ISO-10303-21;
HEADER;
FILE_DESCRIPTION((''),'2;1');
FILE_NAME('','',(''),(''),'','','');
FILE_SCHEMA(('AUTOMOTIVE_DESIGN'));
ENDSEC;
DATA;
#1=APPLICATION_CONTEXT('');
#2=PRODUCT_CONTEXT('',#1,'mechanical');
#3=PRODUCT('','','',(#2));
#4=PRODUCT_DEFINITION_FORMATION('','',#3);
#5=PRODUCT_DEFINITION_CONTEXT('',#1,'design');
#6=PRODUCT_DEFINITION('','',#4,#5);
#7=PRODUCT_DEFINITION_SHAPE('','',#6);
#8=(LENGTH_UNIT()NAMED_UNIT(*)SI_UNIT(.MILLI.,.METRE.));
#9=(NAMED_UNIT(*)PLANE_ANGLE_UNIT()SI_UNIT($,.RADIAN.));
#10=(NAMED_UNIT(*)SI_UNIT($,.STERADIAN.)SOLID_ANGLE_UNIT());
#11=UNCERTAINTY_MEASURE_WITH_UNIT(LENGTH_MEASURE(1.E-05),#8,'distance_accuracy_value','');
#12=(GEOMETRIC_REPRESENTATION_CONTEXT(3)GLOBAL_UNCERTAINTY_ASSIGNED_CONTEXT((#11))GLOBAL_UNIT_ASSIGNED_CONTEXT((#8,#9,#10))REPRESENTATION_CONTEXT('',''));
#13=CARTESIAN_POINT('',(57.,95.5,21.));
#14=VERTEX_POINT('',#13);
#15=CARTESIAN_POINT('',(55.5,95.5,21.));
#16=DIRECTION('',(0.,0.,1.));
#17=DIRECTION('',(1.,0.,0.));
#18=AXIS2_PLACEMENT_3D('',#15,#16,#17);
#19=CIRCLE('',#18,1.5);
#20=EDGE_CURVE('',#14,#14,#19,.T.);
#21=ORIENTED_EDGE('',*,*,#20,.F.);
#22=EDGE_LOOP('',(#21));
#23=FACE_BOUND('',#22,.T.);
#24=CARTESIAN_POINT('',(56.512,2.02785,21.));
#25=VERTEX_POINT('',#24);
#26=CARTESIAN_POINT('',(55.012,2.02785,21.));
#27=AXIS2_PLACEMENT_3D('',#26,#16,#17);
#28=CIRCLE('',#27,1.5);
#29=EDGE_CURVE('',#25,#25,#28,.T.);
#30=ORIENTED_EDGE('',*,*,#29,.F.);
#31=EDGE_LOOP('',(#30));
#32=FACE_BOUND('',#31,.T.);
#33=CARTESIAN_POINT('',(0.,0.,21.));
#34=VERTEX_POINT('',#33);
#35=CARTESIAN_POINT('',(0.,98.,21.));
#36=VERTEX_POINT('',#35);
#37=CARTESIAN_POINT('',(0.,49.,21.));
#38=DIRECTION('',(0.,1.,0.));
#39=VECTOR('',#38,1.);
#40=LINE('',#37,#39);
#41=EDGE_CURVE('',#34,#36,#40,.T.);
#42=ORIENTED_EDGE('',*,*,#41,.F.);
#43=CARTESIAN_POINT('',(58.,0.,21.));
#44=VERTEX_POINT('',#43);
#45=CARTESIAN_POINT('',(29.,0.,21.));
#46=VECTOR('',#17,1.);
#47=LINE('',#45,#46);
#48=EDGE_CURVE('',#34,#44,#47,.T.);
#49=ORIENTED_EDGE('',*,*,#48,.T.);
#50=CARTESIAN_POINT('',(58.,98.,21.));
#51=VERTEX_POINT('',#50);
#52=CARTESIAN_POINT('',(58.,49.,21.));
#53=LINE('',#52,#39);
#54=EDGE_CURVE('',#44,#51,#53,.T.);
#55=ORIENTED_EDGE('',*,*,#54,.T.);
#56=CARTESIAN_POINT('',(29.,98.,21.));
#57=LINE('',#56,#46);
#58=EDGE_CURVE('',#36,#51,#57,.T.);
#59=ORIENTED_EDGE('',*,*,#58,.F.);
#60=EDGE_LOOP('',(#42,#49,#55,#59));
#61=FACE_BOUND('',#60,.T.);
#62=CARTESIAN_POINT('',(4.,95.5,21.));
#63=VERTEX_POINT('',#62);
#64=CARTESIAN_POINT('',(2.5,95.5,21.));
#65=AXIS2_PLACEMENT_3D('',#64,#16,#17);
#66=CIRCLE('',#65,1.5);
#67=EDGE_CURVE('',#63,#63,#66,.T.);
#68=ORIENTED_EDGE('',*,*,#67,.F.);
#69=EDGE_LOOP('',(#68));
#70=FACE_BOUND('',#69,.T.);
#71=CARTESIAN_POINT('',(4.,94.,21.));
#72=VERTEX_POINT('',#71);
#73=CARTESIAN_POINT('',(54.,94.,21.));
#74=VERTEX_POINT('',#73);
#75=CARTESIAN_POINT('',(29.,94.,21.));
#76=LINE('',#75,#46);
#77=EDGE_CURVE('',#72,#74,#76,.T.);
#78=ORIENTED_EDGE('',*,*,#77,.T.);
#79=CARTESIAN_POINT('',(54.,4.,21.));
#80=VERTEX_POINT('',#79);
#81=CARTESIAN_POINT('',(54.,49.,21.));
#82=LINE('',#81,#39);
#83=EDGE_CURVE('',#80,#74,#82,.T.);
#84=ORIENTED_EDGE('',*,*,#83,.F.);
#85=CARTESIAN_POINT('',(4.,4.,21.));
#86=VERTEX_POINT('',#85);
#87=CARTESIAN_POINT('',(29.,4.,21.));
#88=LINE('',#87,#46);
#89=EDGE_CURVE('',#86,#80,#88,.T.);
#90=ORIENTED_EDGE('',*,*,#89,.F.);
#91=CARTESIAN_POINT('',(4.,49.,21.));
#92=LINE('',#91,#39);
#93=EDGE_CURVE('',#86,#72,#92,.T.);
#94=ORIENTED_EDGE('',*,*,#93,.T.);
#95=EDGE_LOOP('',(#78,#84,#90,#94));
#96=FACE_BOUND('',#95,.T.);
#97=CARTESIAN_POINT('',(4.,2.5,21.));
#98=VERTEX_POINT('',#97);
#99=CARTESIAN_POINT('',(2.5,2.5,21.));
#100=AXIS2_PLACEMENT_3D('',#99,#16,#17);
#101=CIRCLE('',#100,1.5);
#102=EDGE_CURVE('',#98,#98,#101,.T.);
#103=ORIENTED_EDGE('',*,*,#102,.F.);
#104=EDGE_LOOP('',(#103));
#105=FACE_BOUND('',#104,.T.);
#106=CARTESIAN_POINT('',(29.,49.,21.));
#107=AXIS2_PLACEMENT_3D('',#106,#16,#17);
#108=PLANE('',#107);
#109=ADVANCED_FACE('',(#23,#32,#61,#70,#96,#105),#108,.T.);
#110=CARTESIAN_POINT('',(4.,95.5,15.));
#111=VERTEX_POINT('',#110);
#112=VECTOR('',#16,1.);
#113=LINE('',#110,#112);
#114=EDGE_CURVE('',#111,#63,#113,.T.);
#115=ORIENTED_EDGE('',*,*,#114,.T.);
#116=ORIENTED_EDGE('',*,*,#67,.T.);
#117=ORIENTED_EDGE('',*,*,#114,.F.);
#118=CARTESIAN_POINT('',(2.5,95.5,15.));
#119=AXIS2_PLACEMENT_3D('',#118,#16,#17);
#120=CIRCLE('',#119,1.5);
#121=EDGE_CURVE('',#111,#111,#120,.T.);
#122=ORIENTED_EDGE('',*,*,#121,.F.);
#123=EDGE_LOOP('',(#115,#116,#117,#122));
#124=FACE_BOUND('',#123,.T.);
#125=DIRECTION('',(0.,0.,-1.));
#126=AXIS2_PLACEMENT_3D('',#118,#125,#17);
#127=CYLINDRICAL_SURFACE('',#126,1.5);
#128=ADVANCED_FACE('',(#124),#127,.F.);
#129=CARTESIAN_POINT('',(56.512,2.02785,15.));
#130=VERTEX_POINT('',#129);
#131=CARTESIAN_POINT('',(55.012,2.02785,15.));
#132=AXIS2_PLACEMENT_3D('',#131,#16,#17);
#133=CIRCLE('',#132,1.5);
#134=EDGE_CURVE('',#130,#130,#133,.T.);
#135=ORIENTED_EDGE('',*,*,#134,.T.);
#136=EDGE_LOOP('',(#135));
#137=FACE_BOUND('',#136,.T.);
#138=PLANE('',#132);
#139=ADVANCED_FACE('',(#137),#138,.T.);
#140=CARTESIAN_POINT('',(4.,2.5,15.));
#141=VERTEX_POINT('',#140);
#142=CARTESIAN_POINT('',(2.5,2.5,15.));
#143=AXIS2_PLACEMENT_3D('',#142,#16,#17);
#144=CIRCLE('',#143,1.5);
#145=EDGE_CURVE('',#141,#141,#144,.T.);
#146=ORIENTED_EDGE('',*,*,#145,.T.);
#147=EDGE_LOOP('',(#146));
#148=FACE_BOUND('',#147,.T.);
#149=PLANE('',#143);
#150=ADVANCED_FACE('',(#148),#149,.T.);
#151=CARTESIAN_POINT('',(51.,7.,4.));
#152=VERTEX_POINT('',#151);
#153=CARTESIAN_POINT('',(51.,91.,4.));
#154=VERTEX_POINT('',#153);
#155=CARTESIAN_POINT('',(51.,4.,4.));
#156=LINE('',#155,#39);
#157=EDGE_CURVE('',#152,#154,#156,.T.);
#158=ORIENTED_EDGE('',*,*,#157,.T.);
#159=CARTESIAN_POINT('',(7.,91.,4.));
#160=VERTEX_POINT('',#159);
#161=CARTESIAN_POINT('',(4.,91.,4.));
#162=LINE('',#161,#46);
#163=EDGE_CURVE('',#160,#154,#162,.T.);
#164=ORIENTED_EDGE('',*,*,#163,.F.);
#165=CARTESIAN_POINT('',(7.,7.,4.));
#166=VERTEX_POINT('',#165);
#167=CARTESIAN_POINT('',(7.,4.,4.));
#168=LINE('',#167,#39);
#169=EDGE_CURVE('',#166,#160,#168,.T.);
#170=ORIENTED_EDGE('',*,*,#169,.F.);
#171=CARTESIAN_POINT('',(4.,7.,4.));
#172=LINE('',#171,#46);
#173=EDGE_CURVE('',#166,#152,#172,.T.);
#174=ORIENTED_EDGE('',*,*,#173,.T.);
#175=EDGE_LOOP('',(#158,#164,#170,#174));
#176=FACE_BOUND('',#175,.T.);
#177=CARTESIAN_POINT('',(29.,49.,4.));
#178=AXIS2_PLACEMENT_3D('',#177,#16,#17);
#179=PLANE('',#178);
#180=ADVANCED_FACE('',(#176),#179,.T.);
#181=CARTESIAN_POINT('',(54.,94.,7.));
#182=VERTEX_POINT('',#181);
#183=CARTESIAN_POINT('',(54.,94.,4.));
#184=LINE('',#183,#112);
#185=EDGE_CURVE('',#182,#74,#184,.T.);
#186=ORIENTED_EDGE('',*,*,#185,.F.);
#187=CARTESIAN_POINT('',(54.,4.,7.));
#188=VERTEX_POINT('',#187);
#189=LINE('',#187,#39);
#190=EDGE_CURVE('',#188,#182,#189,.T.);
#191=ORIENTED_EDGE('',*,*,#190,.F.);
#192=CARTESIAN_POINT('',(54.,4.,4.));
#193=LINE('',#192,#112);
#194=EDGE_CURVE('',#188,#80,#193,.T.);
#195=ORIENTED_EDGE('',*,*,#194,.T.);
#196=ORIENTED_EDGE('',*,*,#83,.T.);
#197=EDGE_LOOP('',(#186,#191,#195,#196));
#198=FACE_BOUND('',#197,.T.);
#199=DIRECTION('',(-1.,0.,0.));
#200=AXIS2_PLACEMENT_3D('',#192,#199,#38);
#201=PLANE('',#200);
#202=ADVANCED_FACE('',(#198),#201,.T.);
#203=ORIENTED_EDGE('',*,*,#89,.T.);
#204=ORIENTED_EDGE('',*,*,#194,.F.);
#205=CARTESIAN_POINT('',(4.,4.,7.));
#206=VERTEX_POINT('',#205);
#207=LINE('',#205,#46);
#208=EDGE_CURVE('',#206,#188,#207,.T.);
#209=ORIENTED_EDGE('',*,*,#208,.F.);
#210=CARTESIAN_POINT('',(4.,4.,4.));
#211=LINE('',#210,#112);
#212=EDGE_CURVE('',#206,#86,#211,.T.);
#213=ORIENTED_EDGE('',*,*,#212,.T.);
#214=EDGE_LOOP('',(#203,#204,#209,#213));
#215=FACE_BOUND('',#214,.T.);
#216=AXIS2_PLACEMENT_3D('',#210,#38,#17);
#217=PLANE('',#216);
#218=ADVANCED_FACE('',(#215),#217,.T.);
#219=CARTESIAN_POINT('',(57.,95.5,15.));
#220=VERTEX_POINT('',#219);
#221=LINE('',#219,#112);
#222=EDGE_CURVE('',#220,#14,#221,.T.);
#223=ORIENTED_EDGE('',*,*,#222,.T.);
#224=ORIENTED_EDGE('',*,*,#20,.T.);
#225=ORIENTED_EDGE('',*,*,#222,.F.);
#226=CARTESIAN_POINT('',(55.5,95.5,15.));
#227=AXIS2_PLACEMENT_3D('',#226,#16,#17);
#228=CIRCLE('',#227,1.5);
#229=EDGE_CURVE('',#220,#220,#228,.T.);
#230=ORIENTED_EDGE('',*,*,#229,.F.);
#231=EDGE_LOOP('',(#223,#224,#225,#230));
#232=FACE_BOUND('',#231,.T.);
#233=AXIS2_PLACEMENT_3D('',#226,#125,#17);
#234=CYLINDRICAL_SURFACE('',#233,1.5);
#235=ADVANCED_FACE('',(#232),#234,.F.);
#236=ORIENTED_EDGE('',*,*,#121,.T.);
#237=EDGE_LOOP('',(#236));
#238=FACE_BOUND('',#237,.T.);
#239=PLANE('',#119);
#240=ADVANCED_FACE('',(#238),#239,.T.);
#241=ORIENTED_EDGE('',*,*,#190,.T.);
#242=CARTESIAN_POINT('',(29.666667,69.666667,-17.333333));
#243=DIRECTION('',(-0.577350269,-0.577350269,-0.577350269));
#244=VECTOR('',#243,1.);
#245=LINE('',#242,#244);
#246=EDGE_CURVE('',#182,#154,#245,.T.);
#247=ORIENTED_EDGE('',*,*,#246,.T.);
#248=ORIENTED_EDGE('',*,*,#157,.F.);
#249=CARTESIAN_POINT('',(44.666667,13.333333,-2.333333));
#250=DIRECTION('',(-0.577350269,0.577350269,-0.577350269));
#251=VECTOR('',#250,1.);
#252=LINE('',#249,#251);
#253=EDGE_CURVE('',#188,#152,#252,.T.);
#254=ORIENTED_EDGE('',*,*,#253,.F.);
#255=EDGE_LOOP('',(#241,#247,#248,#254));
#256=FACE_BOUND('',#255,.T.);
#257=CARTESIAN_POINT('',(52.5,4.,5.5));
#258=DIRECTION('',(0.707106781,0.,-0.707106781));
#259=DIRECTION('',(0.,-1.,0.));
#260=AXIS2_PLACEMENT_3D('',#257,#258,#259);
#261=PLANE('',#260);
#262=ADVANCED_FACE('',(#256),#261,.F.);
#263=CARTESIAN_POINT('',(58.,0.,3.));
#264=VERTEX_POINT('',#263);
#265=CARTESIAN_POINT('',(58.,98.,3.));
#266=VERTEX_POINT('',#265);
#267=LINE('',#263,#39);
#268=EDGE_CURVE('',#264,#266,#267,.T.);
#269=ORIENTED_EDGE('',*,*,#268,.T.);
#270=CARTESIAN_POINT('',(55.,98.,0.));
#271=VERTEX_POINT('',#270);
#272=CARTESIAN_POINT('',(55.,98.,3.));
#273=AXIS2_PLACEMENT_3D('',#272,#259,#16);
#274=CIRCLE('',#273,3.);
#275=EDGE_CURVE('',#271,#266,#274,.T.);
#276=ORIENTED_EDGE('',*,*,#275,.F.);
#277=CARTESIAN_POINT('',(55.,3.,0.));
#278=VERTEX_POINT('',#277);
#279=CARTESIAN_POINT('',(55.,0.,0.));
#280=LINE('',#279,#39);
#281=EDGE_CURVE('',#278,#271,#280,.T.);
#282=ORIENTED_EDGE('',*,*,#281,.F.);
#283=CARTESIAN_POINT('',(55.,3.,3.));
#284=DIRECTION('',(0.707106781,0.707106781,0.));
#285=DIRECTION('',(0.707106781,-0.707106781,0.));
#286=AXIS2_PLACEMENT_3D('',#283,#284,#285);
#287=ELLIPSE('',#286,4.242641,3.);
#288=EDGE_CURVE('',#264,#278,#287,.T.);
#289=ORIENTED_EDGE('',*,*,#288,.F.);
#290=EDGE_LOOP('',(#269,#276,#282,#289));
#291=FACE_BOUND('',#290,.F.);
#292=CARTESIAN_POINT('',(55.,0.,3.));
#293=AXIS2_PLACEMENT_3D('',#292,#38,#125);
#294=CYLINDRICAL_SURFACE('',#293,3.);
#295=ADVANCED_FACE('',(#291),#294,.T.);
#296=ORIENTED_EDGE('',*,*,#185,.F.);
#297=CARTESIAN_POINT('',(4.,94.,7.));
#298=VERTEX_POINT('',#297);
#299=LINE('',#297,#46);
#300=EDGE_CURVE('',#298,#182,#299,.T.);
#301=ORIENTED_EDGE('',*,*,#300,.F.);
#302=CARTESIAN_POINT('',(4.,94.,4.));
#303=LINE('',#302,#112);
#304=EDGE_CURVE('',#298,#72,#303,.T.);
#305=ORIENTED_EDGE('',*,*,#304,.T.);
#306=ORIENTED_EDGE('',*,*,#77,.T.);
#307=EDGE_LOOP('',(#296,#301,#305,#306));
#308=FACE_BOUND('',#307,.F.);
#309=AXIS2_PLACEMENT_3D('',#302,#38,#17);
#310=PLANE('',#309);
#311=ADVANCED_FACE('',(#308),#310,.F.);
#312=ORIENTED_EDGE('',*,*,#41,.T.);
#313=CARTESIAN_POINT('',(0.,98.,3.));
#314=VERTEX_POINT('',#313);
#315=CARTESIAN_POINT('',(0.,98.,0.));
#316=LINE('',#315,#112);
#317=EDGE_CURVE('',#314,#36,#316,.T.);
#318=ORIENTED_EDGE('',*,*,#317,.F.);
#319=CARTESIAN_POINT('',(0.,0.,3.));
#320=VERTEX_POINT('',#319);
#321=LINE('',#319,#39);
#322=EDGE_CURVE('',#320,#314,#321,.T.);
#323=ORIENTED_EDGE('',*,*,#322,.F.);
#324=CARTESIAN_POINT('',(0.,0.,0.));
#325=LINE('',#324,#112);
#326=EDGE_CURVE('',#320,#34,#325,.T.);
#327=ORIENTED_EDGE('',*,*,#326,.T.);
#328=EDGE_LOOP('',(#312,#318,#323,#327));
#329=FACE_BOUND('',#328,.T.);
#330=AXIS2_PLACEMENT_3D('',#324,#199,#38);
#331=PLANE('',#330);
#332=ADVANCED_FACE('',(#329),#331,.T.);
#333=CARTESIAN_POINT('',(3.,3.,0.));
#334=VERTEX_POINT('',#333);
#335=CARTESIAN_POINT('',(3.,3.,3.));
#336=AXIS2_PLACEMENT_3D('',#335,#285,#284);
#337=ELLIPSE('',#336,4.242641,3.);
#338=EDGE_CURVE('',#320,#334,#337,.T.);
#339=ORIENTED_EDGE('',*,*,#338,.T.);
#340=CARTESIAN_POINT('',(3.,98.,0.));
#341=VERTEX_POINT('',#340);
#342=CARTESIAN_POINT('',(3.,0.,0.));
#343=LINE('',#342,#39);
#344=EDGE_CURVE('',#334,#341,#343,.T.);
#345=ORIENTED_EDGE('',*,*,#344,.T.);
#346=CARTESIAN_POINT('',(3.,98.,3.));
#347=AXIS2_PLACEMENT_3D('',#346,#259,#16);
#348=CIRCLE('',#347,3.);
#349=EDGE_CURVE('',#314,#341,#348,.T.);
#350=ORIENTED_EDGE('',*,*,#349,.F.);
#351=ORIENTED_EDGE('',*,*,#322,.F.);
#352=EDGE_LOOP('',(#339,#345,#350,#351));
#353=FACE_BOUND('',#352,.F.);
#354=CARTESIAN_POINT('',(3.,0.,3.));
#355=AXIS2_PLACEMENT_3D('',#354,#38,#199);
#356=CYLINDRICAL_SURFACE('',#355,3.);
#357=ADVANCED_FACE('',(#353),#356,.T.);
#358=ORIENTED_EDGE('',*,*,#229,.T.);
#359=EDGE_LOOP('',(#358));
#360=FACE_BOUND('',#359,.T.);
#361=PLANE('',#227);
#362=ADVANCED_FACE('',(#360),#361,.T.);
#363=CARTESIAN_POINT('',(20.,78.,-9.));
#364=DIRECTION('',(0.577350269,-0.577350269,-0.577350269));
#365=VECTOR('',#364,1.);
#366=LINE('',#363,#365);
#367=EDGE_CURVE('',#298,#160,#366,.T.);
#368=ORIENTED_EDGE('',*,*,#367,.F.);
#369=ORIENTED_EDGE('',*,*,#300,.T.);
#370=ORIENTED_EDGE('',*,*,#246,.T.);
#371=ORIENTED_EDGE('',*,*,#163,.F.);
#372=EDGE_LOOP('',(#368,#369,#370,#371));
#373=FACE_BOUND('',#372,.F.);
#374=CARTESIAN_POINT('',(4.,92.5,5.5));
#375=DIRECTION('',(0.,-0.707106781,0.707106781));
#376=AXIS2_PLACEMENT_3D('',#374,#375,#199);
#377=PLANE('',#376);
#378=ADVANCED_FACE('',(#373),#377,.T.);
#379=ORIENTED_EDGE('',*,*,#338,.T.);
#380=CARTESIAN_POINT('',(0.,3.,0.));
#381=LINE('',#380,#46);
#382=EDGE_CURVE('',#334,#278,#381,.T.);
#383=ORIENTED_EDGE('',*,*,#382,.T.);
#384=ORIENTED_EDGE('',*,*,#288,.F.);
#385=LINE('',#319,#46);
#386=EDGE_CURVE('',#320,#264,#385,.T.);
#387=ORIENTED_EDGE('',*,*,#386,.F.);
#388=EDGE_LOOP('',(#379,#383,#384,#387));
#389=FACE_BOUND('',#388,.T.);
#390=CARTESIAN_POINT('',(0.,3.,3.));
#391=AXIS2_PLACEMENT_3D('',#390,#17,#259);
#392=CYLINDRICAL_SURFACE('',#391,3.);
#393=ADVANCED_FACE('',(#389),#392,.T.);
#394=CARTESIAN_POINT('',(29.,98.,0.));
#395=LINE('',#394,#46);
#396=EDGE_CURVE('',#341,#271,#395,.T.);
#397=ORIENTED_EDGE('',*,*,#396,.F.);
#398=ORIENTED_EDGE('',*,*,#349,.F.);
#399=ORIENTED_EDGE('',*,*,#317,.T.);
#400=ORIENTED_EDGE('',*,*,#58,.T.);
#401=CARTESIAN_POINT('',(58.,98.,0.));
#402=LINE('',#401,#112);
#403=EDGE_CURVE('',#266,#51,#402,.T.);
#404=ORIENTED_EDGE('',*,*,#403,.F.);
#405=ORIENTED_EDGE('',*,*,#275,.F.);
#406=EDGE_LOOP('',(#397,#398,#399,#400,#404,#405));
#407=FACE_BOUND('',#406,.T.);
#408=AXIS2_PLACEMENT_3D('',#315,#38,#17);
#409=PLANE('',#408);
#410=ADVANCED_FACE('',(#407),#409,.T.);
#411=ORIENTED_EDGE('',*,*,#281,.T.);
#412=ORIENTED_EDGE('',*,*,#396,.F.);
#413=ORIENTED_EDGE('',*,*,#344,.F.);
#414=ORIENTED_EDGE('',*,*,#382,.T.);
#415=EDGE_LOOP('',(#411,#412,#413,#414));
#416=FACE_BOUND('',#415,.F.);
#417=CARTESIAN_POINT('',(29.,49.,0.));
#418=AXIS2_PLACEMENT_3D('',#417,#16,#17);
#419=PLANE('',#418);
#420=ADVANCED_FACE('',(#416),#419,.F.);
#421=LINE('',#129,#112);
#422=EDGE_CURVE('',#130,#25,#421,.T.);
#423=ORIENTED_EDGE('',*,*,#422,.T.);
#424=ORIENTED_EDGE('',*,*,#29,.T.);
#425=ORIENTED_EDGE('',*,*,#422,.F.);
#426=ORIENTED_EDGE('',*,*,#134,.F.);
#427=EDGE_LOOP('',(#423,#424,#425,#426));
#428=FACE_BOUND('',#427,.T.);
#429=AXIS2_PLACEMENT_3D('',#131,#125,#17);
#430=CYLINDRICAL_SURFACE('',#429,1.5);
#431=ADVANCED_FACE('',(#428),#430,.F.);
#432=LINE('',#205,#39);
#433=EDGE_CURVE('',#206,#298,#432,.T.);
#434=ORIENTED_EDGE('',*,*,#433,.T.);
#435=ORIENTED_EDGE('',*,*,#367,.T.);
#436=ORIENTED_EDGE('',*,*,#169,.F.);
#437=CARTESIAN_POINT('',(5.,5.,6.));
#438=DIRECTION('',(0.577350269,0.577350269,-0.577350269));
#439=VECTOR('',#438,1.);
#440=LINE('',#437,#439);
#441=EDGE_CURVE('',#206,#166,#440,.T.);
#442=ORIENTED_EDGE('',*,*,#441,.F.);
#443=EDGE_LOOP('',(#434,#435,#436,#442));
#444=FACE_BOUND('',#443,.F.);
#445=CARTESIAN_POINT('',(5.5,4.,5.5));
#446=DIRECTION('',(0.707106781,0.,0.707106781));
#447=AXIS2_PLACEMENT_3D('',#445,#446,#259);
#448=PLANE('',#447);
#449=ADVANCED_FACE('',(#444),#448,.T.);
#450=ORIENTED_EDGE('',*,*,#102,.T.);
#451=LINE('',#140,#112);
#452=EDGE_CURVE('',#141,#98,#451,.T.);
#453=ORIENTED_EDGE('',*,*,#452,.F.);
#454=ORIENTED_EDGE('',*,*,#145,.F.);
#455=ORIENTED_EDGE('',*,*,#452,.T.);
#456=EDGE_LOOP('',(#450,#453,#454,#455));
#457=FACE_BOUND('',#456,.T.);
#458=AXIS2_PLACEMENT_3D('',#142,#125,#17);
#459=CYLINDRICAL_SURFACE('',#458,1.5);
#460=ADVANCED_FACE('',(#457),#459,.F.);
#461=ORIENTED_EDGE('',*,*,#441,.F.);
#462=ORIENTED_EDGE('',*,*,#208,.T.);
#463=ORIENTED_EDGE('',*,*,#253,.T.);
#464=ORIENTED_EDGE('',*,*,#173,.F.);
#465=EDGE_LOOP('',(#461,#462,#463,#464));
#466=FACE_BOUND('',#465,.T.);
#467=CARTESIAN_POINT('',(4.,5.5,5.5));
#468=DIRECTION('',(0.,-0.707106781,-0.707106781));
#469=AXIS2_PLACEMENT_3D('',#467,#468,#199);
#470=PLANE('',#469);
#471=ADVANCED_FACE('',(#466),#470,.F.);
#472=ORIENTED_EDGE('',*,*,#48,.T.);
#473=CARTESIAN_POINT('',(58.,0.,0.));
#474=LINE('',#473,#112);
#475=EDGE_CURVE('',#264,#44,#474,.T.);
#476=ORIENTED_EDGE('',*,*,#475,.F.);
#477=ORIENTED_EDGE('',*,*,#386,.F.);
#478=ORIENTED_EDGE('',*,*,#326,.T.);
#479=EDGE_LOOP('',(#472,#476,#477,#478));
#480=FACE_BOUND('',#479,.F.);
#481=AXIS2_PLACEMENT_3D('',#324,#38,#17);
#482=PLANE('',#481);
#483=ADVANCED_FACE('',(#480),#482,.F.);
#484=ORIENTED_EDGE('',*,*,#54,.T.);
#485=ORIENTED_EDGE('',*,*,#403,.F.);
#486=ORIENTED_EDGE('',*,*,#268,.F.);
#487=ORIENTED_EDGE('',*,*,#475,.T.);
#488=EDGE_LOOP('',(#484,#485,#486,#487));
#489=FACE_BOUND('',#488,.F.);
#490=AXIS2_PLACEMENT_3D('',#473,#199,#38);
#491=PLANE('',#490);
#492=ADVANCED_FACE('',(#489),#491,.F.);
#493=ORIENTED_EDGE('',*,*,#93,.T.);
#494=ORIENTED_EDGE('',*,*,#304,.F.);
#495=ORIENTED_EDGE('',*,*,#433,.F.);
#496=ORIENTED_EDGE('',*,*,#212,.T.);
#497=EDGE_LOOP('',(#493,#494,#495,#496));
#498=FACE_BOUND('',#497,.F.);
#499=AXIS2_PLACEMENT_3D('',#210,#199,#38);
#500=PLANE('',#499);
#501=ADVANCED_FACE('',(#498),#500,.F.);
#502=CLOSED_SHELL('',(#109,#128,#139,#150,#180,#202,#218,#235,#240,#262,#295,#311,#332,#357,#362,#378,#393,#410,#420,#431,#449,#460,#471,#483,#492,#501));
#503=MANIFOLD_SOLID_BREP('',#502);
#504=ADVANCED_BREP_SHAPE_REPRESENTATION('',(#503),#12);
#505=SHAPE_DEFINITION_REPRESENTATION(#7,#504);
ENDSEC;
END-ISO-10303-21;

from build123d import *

# Parameters (mm, degrees)
CYLINDER003_R     = 1.5
CYLINDER003_DEPTH = 6
CYLINDER001_R     = 1.5
CYLINDER001_DEPTH = 6
CYLINDER002_R     = 1.5
CYLINDER002_DEPTH = 6
CYLINDER_R        = 1.5
CYLINDER_DEPTH    = 6
BOX001_W          = 50
BOX001_H          = 90
BOX001_DEPTH      = 17
CHAMFER_SIZE      = 3
BOX_W             = 58
BOX_H             = 98
BOX_DEPTH         = 21
FILLET_R          = 3


with BuildPart() as cylinder003:
    # Cylinder003 → Cylinder003 (new body)
    with BuildSketch(Plane(origin=(55.5, 95.5, 15), x_dir=(1, 0, 0), z_dir=(0, 0, 1))):
        Circle(CYLINDER003_R)
    extrude(amount=CYLINDER003_DEPTH)


with BuildPart() as cylinder001:
    # Cylinder001 → Cylinder001 (new body)
    with BuildSketch(Plane(origin=(55.012, 2.02785, 15), x_dir=(1, 0, 0), z_dir=(0, 0, 1))):
        Circle(CYLINDER001_R)
    extrude(amount=CYLINDER001_DEPTH)


with BuildPart() as cylinder002:
    # Cylinder002 → Cylinder002 (new body)
    with BuildSketch(Plane(origin=(2.5, 95.5, 15), x_dir=(1, 0, 0), z_dir=(0, 0, 1))):
        Circle(CYLINDER002_R)
    extrude(amount=CYLINDER002_DEPTH)


with BuildPart() as cylinder:
    # Cylinder → Cylinder (new body)
    with BuildSketch(Plane(origin=(2.5, 2.5, 15), x_dir=(1, 0, 0), z_dir=(0, 0, 1))):
        Circle(CYLINDER_R)
    extrude(amount=CYLINDER_DEPTH)


with BuildPart() as chamfer_body:
    # Box001 → Box001 (new body)
    with BuildSketch(Plane(origin=(4, 4, 4), x_dir=(1, 0, 0), z_dir=(0, 0, 1))):
        with Locations((25, 45)):
            Rectangle(BOX001_W, BOX001_H)
    extrude(amount=BOX001_DEPTH)

    # Chamfer
    chamfer_edges = [chamfer_body.edges().sort_by_distance(p)[0] for p in [
        (4, 49, 4),
        (54, 49, 4),
        (29, 4, 4),
        (29, 94, 4),
    ]]
    chamfer(chamfer_edges, length=CHAMFER_SIZE)


with BuildPart() as case_top:
    # Box → Box (new body)
    with BuildSketch(Plane.XY):
        with Locations((29, 49)):
            Rectangle(BOX_W, BOX_H)
    extrude(amount=BOX_DEPTH)

    # Cut: cut Chamfer body
    add(chamfer_body.part, mode=Mode.SUBTRACT)

    # Fillet
    fillet_edges = [case_top.edges().sort_by_distance(p)[0] for p in [
        (0, 49, 0),
        (29, 0, 0),
        (58, 49, 0),
    ]]
    fillet(fillet_edges, radius=FILLET_R)

    # Cut001: cut Cylinder
    add(cylinder.part, mode=Mode.SUBTRACT)

    # Cut002: cut Cylinder002
    add(cylinder002.part, mode=Mode.SUBTRACT)

    # Cut003: cut Cylinder001
    add(cylinder001.part, mode=Mode.SUBTRACT)

    # Cut004: cut Cylinder003
    add(cylinder003.part, mode=Mode.SUBTRACT)


solid = case_top.part
